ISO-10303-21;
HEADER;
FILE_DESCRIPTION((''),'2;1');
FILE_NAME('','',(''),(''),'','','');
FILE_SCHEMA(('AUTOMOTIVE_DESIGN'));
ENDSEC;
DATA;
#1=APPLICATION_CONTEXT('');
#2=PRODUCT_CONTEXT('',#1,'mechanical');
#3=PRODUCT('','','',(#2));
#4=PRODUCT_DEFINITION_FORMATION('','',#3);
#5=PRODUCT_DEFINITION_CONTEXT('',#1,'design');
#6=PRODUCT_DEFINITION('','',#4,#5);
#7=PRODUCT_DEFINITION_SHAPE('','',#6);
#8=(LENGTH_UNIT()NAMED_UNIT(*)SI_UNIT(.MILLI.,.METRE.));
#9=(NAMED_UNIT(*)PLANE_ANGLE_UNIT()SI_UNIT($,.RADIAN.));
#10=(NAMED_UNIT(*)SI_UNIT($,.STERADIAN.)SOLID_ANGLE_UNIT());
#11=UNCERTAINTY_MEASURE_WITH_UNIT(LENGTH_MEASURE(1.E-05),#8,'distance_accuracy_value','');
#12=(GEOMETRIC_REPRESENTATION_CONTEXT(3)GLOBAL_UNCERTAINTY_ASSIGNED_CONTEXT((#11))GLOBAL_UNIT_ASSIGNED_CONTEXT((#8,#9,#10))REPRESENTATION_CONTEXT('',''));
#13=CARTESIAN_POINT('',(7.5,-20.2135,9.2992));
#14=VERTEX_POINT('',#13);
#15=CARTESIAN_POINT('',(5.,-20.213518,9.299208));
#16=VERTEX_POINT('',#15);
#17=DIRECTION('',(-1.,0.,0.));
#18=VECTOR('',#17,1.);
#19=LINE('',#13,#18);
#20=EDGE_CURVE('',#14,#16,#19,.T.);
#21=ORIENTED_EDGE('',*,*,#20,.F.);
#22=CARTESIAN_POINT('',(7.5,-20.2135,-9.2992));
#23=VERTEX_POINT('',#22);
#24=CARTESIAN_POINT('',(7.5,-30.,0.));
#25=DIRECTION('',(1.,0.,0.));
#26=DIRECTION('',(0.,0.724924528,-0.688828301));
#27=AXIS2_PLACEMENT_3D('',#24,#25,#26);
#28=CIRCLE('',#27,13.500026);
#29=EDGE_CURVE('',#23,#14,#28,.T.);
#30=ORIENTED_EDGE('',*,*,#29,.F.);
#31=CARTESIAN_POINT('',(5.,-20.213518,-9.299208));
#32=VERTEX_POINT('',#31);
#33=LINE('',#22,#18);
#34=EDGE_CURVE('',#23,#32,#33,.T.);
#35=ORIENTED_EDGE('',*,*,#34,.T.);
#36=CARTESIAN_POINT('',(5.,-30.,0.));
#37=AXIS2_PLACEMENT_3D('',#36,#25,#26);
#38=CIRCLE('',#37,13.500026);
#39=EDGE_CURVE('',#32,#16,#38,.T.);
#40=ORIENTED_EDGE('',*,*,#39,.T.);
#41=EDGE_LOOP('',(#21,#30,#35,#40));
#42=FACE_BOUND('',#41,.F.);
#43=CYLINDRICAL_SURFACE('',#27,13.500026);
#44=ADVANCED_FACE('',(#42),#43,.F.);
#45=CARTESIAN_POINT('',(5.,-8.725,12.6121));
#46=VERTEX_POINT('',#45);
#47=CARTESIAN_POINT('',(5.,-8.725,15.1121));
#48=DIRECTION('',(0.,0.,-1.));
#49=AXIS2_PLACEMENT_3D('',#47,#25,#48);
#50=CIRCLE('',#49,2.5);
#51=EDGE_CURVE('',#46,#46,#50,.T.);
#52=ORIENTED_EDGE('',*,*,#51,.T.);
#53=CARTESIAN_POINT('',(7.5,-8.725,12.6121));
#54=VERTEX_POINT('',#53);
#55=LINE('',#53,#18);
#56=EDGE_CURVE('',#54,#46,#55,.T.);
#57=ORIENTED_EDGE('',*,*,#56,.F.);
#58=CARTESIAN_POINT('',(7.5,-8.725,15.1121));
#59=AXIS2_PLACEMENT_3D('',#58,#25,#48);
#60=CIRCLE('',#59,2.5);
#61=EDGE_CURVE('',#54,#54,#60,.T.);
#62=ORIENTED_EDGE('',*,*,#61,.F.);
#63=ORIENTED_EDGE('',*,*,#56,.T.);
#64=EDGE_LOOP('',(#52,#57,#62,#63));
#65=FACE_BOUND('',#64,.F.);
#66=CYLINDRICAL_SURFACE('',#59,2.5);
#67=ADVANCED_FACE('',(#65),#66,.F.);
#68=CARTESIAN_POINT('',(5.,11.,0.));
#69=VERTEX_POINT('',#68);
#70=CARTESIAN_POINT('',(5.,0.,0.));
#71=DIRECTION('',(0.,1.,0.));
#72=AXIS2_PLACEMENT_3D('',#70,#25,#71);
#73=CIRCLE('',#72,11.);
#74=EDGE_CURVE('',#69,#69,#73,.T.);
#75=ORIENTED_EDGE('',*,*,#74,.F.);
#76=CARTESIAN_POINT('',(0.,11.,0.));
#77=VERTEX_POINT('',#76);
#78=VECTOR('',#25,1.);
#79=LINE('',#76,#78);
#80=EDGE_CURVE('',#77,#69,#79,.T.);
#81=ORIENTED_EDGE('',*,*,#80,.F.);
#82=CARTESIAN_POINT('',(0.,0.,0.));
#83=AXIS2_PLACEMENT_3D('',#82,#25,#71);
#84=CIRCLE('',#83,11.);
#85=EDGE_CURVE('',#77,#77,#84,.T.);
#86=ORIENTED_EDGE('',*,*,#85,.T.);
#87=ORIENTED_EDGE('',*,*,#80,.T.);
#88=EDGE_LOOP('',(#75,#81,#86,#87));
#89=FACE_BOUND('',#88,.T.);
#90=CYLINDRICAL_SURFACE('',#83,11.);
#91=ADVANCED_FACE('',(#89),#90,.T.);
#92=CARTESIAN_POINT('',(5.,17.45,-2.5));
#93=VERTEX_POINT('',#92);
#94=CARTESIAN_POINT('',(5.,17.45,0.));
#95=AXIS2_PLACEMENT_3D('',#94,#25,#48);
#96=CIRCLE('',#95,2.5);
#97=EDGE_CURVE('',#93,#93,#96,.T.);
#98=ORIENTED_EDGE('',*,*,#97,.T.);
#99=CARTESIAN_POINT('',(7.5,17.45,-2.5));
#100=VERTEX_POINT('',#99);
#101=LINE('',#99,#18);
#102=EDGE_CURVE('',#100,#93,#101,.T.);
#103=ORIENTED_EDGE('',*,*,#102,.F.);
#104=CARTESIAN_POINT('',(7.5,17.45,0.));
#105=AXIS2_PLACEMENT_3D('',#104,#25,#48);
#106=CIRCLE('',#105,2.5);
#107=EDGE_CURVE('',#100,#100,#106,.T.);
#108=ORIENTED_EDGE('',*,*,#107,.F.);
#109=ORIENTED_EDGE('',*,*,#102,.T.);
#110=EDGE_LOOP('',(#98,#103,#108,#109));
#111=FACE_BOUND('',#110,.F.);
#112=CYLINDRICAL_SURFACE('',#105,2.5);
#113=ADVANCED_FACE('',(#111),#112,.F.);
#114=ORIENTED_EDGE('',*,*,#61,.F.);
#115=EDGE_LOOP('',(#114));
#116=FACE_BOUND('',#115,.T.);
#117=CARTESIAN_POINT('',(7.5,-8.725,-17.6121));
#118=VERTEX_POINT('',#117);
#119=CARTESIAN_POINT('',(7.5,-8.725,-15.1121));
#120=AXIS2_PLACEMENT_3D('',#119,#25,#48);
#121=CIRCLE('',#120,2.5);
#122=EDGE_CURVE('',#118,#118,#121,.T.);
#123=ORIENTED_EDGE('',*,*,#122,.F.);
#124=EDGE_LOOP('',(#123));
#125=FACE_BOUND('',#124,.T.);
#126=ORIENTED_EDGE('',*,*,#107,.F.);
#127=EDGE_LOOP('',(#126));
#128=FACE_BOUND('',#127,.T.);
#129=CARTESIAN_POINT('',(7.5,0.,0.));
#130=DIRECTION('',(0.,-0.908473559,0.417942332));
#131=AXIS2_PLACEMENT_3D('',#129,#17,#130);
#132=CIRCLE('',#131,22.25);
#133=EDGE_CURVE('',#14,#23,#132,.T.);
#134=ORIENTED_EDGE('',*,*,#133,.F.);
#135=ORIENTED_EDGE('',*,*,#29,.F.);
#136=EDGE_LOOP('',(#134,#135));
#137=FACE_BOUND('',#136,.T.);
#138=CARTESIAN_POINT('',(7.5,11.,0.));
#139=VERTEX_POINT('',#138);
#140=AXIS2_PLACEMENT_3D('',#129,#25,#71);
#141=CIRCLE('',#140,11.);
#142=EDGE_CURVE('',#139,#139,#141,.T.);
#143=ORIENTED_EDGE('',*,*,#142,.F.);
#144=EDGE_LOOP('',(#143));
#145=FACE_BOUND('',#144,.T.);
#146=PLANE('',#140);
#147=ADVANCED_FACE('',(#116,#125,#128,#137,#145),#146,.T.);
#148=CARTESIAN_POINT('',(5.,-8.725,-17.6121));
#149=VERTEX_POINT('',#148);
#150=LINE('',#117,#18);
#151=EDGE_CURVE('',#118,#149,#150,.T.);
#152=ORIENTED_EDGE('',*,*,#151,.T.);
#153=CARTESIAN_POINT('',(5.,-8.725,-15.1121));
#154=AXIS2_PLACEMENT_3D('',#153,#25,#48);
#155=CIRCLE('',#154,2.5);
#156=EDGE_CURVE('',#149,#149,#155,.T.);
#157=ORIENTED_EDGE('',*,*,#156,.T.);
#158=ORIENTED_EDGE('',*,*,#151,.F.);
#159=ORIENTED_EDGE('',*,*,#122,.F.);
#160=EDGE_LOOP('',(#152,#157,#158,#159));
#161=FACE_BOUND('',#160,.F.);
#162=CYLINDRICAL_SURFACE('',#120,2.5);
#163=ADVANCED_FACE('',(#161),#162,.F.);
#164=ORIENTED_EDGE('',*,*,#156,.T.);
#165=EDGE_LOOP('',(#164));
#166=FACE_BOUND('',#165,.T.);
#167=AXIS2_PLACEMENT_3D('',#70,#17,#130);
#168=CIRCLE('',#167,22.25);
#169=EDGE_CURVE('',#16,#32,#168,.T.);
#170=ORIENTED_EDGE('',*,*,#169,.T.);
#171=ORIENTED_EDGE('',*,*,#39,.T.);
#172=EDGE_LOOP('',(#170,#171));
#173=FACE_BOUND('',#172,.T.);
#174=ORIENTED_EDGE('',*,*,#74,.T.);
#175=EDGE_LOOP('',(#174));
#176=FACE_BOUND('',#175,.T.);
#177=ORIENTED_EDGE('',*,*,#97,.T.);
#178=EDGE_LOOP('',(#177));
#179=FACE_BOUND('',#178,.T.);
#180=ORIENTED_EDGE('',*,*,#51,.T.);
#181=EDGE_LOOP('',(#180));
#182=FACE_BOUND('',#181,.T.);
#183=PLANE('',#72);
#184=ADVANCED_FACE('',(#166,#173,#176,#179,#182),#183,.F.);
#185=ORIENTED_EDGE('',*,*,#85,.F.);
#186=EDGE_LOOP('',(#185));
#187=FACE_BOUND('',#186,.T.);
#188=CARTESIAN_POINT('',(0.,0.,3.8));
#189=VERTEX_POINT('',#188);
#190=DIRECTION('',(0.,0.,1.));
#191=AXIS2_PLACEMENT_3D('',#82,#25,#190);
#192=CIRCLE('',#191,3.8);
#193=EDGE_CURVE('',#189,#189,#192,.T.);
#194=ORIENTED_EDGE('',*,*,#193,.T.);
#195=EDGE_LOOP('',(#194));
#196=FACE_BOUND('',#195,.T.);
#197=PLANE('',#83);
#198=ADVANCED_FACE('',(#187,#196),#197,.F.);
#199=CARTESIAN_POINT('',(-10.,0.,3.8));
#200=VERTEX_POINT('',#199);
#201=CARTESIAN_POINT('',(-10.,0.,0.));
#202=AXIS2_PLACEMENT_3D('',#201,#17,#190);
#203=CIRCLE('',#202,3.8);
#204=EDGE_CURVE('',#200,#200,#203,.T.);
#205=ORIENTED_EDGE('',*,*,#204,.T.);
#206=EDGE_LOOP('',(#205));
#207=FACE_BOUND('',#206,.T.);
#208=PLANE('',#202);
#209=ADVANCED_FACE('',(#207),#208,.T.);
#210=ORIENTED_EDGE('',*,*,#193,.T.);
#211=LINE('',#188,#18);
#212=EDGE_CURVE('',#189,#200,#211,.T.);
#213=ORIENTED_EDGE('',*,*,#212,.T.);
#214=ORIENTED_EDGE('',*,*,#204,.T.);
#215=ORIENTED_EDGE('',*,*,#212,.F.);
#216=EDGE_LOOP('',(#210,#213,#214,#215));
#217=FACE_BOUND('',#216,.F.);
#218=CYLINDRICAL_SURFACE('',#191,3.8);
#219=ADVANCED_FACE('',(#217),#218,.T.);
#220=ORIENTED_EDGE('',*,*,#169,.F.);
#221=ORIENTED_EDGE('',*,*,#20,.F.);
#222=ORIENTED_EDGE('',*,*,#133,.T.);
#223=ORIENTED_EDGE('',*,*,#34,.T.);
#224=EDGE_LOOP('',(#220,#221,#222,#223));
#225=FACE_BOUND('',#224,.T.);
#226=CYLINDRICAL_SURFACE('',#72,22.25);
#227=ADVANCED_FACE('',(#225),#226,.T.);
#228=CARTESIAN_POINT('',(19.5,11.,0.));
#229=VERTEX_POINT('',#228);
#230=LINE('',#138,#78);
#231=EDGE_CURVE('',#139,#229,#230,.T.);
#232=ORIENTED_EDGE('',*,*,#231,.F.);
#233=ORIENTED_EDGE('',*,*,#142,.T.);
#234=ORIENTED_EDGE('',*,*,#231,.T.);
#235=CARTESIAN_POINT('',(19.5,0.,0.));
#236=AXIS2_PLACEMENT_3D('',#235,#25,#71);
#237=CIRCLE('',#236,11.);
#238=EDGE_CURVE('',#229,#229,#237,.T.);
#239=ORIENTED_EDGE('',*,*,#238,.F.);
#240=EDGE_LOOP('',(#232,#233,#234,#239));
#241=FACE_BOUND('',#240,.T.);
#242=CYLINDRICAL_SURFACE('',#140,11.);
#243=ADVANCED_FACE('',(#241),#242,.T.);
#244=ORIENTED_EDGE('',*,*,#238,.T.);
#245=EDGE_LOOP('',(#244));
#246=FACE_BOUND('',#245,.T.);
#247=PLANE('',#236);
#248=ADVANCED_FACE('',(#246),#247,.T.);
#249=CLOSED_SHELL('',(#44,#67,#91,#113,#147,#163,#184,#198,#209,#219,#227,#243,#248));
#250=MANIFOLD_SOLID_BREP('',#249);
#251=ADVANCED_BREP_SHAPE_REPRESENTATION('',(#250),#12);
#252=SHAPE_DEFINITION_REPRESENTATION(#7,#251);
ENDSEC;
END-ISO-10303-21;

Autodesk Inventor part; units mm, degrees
ref_plane "YZ Plane" through (0, 0, 0) normal (1, 0, 0) x (0, 1, 0)
ref_plane "XZ Plane" through (0, 0, 0) normal (0, 1, 0) x (-1, 0, 0)
ref_plane "XY Plane" through (0, 0, 0) normal (0, 0, 1) x (1, 0, 0)
sketch "Sketch1" plane through (0, 0, 0) normal (0, 0, 1) x (1, 0, 0)
  line L0 (0, 0) -> (0, 3.8)
  line L1 (0, 3.8) -> (0, 3.8)
  line L2 (0, 3.8) -> (0, 11)
  line L3 (0, 11) -> (5, 11)
  line L4 (5, 11) -> (5, 22.25)
  line L5 (5, 22.25) -> (7.5, 22.25)
  line L6 (7.5, 22.25) -> (7.5, 11)
  line L7 (7.5, 11) -> (19.5, 11)
  line L8 (19.5, 11) -> (19.5, 0)
  line L9 (19.5, 0) -> (0, 0)
  line L10 (0, 0) -> (41.6069, 0)
  dimension "d0" = 7.6
  dimension "d1" = 22
  dimension "d2" = 44.5
  dimension "d3" = 0
  dimension "d4" = 5
  dimension "d5" = 12
  dimension "d6" = 2.5
revolve "Revolution1" add sketch "Sketch1" angle 360 about axis through (0, 0, 0) along (1, 0, 0)
sketch "Sketch2" plane through (0, 0, 0) normal (-1, 0, 0) x (0, 0, 1)
  circle A0 centre (0, 0) radius 11 projected
  circle A1 centre (0, 0) radius 3.8
  dimension "d8" = 7.6
extrude "Extrusion1" add sketch "Sketch2" along normal blind 10 contours A1
sketch "Sketch3" plane through (7.5, 0, 0) normal (1, 0, 0) x (0, 0, -1)
  circle A0 centre (0, 0) radius 22.25 projected
  circle A1 centre (0, 17.45) radius 2.5
  circle A2 centre (15.1121, -8.725) radius 2.5
  circle A3 centre (-15.1121, -8.725) radius 2.5
  line L0 (0, 0) -> (0, 17.45) construction
  line L1 (0, 0) -> (15.1121, -8.725) construction
  line L2 (0, 0) -> (-15.1121, -8.725) construction
  dimension "d11" = 5
  dimension "d12" = 17.45
  dimension "d13" = 17.45
  dimension "d14" = 17.45
  dimension "d15" = 5
  dimension "d16" = 5
  dimension "d17" = 120
  dimension "d18" = 120
extrude "Extrusion2" cut sketch "Sketch3" against normal through all contours A1 | A2 | A3
sketch "Sketch4" plane through (7.5, 0, 0) normal (1, 0, 0) x (0, 0, -1)
  circle A0 centre (0, 0) radius 11 projected
  circle A1 centre (0, 0) radius 22.25 projected
  arc A2 (9.2992, -20.2135) -> (-9.2992, -20.2135) centre (0, -30) ccw
  dimension "d21" = 13.5
  dimension "d22" = 30
extrude "Extrusion3" cut sketch "Sketch4" against normal through all contours A2 A1 picked at (-2.0741, -20.1881)
properties part number "Släpring"
